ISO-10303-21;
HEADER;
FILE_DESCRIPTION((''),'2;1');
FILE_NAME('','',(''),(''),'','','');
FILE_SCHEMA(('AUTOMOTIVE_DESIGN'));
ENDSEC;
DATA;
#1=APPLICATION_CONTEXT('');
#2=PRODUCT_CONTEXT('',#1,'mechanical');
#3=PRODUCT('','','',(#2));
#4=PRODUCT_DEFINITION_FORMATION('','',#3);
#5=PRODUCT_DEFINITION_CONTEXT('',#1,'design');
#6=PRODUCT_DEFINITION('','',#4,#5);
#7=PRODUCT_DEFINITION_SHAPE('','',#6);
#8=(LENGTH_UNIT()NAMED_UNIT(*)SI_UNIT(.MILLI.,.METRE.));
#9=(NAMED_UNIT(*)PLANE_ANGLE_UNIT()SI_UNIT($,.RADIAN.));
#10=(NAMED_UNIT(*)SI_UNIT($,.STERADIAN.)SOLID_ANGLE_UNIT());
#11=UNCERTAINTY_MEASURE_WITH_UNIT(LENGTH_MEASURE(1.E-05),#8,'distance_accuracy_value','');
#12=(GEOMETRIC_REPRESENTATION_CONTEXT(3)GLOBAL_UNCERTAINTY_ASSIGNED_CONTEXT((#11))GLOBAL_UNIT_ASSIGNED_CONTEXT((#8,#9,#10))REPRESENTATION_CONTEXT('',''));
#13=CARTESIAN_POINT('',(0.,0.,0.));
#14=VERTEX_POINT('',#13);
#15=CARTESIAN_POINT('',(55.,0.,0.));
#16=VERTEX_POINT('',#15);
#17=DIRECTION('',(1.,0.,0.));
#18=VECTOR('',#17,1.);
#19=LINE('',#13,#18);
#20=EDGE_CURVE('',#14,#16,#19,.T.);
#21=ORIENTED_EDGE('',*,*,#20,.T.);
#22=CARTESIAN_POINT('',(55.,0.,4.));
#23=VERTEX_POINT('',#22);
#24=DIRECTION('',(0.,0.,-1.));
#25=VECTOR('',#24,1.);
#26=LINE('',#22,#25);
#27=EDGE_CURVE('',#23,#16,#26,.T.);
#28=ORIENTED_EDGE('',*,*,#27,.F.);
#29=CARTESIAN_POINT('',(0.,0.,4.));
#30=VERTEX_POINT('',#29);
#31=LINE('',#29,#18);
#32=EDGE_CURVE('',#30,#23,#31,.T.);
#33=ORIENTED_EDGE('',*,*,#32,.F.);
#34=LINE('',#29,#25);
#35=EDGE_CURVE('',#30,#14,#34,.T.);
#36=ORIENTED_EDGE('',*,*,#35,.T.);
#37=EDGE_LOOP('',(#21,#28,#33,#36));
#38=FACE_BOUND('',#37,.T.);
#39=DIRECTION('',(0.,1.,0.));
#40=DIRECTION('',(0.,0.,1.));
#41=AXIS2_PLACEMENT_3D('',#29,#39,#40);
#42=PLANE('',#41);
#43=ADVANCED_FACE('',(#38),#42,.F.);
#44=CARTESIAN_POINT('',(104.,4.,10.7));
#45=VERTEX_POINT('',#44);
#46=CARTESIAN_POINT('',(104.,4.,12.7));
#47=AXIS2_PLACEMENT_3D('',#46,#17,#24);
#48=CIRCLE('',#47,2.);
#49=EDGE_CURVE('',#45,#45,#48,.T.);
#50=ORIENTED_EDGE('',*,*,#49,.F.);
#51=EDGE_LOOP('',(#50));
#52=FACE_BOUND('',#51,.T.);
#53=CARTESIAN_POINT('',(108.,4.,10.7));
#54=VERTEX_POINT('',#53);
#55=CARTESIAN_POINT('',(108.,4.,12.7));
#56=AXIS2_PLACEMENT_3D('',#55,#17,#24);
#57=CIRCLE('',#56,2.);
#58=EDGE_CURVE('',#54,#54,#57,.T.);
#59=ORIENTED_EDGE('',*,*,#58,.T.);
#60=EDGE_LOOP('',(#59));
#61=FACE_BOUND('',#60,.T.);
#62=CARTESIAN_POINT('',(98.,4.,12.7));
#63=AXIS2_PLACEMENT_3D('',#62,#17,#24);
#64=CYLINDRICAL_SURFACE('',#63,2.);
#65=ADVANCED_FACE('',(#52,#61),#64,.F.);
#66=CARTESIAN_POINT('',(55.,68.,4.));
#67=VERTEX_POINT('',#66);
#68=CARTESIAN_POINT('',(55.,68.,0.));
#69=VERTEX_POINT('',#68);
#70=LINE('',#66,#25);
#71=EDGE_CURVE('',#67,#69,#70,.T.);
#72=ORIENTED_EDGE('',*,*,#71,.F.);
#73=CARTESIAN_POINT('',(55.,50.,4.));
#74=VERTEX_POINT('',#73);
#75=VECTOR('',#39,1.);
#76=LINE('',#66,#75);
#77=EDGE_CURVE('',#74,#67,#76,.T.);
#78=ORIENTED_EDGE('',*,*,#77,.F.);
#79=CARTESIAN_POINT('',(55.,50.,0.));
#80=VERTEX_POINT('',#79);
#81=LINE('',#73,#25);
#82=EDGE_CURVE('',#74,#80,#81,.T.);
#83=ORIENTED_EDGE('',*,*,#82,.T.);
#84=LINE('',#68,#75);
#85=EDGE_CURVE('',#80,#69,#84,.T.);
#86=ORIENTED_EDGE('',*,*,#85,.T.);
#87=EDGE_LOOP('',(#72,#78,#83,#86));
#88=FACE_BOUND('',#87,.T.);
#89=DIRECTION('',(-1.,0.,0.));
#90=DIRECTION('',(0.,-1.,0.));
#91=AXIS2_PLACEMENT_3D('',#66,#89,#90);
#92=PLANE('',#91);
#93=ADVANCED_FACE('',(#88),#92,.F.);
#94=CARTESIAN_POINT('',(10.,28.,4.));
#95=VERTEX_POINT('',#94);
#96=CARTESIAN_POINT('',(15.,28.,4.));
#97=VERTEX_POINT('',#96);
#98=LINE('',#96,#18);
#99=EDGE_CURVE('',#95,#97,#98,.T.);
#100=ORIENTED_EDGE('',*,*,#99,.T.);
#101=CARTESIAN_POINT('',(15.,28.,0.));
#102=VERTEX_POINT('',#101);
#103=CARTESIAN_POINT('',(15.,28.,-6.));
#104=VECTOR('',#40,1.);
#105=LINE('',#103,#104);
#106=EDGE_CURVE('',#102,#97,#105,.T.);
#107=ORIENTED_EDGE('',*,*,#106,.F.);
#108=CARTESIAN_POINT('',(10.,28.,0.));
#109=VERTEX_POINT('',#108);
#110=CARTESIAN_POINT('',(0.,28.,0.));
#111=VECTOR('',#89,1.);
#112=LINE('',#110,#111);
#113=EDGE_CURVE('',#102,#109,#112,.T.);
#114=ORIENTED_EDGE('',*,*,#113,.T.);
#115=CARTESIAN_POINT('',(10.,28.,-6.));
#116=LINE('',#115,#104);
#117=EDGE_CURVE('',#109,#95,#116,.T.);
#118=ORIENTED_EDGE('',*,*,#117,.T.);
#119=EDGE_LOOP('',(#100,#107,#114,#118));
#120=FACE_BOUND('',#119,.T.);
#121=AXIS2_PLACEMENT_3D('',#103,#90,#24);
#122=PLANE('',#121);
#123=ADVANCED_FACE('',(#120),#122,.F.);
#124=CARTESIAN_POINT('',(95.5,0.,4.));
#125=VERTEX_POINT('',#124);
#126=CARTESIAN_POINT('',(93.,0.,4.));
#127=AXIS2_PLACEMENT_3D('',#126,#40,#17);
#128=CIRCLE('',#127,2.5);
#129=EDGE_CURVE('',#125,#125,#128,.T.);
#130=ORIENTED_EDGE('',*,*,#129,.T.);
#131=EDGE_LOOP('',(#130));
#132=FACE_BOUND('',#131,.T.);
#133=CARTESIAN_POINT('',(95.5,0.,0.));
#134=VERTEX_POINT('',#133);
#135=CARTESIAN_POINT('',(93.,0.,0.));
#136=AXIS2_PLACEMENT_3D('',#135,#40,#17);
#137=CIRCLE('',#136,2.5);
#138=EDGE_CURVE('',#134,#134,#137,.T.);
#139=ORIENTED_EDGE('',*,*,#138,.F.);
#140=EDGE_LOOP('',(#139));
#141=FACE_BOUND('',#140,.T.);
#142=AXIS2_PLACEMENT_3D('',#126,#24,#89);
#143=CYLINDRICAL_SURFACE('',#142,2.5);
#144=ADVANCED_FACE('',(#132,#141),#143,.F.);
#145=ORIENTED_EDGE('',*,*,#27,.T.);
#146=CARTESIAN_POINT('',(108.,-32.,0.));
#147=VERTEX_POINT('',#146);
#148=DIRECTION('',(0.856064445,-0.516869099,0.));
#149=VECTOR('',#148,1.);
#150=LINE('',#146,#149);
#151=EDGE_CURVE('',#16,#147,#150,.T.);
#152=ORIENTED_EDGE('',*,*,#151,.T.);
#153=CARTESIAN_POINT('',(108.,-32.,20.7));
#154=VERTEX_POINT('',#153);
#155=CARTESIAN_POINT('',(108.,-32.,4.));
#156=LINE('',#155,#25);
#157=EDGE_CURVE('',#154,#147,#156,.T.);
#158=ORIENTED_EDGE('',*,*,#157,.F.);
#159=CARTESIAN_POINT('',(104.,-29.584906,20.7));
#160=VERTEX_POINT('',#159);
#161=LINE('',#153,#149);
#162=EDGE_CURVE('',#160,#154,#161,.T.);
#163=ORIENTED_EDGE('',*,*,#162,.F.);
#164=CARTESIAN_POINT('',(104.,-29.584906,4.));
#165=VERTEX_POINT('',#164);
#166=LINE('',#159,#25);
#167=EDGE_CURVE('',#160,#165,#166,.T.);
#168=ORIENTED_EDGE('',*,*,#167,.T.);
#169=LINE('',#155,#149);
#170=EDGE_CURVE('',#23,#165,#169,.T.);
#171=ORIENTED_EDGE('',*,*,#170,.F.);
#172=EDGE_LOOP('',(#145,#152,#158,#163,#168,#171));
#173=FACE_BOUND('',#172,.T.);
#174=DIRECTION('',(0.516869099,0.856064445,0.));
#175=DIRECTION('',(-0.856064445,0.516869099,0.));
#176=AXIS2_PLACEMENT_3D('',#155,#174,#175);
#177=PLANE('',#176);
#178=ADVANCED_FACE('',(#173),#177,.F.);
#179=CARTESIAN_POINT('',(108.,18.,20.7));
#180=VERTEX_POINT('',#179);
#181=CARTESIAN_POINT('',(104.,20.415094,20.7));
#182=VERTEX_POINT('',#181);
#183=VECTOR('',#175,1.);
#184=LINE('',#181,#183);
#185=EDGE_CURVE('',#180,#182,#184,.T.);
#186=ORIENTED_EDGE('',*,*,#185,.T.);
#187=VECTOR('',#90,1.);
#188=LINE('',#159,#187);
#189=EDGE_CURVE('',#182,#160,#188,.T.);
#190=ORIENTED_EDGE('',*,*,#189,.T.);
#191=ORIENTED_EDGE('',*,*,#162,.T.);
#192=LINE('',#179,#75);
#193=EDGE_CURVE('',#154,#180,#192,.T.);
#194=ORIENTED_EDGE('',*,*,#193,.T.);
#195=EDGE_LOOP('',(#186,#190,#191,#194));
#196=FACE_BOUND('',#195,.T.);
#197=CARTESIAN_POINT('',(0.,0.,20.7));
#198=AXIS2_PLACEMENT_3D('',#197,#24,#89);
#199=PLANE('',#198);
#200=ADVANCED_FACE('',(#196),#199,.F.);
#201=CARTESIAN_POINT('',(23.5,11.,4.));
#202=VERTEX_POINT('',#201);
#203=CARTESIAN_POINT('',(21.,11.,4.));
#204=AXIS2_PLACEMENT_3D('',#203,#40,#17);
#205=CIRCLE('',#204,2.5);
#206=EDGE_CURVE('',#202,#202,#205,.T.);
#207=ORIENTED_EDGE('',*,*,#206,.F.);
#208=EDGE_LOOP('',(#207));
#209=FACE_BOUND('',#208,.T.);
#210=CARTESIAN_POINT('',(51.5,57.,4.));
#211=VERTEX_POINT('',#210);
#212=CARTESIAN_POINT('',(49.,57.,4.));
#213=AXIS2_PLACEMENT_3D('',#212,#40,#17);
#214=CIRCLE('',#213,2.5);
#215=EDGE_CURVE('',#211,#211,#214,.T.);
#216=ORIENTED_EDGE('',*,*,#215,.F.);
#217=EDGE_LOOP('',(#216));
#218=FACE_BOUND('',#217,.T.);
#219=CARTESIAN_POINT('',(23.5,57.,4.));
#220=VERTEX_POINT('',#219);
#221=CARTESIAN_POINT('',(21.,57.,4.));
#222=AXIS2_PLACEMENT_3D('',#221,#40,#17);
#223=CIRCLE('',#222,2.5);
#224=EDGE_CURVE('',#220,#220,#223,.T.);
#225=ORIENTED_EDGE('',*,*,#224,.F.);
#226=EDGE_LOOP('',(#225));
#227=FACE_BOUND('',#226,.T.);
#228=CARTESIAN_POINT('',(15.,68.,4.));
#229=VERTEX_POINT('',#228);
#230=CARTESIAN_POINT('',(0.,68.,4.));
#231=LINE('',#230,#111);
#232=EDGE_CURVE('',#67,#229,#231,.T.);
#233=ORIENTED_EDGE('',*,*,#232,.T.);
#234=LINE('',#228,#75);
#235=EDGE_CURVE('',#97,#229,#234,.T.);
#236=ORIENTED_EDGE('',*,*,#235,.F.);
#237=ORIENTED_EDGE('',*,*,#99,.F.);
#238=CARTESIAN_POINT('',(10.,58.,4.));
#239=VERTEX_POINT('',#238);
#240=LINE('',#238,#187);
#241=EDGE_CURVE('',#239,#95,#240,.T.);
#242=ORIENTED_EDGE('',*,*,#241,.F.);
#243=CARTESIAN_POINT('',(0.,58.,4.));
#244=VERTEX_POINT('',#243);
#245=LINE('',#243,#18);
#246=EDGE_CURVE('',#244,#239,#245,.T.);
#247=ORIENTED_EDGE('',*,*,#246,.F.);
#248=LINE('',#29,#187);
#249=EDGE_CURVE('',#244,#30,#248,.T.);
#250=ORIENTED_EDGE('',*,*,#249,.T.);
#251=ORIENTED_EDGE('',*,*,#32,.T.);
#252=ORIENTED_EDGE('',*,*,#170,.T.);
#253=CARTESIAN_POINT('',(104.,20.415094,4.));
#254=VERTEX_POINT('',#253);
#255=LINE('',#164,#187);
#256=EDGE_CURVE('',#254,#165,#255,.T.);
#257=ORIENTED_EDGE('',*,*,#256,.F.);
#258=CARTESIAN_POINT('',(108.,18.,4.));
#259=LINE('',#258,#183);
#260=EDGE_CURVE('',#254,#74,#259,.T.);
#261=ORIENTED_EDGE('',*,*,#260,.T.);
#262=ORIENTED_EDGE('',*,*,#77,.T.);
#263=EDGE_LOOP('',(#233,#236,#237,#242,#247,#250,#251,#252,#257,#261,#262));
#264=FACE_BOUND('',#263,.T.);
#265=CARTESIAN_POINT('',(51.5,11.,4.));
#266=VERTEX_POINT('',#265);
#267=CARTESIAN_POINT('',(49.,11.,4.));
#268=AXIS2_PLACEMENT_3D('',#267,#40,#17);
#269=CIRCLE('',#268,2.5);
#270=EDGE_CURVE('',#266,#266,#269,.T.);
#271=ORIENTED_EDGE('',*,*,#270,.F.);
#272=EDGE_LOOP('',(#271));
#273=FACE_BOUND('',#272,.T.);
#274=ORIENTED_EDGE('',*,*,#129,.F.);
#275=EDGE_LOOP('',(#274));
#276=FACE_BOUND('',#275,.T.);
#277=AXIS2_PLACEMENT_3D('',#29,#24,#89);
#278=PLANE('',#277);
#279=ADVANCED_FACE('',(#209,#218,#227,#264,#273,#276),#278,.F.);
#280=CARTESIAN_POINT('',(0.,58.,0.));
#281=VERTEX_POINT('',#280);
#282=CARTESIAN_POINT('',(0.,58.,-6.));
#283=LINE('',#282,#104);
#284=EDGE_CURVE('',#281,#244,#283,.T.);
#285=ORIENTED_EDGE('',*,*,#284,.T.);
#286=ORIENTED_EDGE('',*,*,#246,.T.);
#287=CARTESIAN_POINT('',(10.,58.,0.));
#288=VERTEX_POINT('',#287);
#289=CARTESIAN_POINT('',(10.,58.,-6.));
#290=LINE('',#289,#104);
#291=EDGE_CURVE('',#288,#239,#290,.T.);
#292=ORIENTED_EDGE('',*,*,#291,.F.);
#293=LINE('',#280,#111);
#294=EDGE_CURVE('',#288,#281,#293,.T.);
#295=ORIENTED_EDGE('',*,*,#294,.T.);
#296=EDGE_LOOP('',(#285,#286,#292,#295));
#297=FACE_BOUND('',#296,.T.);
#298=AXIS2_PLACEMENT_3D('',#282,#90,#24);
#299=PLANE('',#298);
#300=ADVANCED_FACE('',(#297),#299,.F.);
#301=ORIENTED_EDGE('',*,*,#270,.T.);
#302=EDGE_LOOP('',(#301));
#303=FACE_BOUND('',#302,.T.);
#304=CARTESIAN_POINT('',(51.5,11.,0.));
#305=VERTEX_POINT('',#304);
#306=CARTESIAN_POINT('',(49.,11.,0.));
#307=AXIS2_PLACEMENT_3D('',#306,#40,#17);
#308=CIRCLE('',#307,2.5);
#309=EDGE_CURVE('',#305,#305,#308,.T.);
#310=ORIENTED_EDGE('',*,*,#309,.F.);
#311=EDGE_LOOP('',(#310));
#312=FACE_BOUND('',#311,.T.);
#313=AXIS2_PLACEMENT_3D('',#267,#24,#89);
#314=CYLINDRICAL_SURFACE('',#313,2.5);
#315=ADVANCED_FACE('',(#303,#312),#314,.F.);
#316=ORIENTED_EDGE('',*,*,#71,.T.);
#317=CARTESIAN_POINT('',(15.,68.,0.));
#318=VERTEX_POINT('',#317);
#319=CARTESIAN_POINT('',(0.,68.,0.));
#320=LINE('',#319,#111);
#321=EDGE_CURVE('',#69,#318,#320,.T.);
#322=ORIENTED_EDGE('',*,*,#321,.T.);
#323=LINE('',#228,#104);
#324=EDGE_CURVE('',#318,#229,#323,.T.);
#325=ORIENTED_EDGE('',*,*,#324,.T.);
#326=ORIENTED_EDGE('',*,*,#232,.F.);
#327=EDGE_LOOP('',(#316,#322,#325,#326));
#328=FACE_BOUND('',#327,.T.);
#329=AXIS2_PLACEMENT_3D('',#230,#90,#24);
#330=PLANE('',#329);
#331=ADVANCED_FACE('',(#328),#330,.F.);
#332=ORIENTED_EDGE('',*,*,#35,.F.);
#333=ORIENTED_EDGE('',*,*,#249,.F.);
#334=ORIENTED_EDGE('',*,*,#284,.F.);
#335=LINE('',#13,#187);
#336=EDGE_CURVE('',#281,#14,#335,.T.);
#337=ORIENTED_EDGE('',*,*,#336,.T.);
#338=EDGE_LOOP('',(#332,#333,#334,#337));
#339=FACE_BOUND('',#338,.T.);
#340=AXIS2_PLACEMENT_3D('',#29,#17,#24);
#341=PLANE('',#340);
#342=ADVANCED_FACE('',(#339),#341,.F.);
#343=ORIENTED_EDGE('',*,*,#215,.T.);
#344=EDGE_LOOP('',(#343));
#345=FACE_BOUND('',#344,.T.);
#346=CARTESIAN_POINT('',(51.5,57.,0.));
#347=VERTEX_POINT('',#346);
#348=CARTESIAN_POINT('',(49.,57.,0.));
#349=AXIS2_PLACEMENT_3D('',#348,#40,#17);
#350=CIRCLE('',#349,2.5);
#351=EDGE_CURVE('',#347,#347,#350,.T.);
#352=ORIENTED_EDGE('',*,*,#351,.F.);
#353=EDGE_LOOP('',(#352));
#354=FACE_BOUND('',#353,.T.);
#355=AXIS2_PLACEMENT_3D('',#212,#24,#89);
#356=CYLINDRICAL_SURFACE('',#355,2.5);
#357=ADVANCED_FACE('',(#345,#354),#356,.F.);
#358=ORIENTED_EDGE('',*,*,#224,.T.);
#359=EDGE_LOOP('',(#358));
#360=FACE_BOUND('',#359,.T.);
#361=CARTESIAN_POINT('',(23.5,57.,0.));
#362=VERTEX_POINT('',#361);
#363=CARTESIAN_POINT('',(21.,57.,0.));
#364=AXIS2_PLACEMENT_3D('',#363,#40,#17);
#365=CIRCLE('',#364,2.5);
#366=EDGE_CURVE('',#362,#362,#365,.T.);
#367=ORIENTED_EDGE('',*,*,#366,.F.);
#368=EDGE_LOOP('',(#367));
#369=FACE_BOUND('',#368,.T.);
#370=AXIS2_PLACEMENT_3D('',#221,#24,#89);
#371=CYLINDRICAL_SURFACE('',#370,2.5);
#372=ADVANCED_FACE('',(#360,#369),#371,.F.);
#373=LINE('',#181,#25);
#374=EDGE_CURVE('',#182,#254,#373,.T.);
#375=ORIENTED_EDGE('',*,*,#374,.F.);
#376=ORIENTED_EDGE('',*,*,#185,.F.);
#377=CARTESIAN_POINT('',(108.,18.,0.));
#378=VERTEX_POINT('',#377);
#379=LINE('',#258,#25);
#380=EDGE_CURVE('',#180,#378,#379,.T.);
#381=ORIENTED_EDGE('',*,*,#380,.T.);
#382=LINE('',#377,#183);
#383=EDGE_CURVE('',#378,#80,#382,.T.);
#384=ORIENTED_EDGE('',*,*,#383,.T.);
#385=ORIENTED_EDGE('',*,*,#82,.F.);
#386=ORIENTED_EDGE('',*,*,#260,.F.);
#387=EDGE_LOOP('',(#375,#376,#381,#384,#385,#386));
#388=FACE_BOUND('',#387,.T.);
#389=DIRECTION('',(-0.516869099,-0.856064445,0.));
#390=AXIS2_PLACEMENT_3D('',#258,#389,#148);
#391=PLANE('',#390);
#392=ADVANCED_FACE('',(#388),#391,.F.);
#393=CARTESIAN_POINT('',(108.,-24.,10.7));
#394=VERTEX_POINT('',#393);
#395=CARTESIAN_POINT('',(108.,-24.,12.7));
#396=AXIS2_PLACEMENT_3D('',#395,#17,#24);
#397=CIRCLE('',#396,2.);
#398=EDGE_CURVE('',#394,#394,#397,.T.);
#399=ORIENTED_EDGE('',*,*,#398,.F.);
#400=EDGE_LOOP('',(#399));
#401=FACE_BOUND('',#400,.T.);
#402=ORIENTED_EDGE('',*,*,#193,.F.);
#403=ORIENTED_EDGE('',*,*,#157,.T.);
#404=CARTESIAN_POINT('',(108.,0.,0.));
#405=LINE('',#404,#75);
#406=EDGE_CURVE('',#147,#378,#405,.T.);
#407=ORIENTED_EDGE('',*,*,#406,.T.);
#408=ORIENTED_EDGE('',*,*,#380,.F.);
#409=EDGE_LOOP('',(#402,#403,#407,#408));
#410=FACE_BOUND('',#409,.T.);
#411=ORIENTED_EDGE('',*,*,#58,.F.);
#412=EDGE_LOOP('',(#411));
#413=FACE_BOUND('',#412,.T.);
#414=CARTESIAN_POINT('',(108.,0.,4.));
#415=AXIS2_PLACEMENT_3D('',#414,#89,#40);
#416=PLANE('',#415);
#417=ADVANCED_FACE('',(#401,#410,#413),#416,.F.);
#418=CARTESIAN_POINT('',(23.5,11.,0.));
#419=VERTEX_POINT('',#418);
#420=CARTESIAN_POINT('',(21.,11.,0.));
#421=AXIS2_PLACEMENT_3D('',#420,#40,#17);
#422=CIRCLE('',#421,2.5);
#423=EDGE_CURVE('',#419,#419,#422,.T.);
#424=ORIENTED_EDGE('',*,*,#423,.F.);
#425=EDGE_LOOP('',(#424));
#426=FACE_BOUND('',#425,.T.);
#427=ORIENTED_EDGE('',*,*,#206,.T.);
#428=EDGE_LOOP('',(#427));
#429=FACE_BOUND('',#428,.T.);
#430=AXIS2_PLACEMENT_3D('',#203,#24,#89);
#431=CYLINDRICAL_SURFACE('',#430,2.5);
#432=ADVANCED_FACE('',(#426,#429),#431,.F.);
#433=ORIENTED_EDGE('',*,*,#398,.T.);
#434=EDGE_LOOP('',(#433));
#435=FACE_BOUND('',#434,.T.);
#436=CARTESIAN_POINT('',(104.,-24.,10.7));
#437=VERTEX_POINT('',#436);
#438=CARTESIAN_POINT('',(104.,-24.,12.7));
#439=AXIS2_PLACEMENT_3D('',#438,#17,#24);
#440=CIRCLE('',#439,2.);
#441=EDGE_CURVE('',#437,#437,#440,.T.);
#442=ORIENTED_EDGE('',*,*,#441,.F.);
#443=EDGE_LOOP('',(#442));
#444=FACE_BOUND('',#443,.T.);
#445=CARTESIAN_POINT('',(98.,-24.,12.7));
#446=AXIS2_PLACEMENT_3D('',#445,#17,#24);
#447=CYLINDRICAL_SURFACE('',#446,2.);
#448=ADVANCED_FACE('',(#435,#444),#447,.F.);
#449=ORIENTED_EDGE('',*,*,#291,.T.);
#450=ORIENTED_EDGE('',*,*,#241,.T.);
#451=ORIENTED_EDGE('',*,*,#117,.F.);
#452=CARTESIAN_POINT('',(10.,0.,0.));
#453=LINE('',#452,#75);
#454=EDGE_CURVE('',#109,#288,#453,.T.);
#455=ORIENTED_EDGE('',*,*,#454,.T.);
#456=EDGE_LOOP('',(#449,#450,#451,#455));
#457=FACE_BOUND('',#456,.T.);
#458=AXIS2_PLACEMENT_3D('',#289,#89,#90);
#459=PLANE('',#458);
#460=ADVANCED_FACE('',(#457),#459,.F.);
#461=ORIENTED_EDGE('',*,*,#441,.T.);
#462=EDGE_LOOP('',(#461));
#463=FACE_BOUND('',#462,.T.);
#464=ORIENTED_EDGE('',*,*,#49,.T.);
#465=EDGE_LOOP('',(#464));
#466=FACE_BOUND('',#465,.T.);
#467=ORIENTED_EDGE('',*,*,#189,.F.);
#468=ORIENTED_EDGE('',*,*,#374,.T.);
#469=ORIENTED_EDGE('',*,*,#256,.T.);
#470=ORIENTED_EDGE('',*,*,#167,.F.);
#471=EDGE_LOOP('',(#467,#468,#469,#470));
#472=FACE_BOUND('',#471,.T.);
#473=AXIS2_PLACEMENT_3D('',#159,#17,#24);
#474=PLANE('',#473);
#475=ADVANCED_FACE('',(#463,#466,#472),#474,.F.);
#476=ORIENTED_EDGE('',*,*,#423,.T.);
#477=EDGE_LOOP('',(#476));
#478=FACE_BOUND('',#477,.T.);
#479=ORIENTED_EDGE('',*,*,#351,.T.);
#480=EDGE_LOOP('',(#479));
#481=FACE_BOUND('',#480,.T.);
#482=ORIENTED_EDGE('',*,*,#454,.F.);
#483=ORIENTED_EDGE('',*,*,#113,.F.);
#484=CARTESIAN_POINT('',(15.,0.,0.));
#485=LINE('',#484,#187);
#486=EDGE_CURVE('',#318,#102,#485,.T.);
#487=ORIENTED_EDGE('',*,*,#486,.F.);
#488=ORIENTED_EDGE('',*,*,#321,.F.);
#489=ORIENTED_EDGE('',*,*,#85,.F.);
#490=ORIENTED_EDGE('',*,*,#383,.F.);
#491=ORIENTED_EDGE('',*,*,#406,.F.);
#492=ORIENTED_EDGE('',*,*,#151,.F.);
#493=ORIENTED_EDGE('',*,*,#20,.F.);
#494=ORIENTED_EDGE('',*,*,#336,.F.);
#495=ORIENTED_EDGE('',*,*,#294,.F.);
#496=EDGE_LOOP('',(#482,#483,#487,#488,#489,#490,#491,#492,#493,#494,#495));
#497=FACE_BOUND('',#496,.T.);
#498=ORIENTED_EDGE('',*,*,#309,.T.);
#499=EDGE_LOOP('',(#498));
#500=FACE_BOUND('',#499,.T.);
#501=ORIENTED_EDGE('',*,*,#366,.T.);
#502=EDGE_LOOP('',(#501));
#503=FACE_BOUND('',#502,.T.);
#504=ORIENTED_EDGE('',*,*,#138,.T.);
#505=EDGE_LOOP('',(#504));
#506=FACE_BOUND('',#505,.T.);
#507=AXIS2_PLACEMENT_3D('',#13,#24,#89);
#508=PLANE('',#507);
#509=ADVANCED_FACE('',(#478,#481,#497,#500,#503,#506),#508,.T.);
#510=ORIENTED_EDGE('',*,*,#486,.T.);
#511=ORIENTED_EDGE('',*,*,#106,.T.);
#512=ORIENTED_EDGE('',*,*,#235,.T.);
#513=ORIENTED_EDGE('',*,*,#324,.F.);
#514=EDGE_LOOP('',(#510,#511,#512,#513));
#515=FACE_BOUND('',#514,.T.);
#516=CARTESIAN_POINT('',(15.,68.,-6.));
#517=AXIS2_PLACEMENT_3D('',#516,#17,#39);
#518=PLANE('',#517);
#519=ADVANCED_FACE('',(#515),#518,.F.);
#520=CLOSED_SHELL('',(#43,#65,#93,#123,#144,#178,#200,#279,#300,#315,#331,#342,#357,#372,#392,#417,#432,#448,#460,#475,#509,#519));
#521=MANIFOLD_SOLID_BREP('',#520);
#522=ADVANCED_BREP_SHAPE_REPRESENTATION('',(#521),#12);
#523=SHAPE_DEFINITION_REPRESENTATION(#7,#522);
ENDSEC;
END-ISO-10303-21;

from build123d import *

# Parameters (mm, degrees)
SKETCH_1_R          = 2.5
EXTRUDE_1_DEPTH     = 4
EXTRUDE_2_DEPTH     = 16.7
SKETCH_3_R          = 2
CUT_EXTRUDE_1_DEPTH = 10
CUT_EXTRUDE_2_DEPTH = 10


with BuildPart() as part:
    # Эскиз1 → Бобышка-Вытянуть1 (new body)
    with BuildSketch(Plane.XY):
        Polygon((0, 0), (55, 0), (108, -32), (108, 0), (108, 18), (55, 50), (55, 68), (0, 68), align=None)
        with Locations((21, 57)):
            Circle(SKETCH_1_R, mode=Mode.SUBTRACT)
        with Locations((49, 57)):
            Circle(SKETCH_1_R, mode=Mode.SUBTRACT)
        with Locations((21, 11)):
            Circle(SKETCH_1_R, mode=Mode.SUBTRACT)
        with Locations((49, 11)):
            Circle(SKETCH_1_R, mode=Mode.SUBTRACT)
        with Locations((93, 0)):
            Circle(SKETCH_1_R, mode=Mode.SUBTRACT)
    extrude(amount=EXTRUDE_1_DEPTH)

    # Эскиз2 → Бобышка-Вытянуть2 (add)
    with BuildSketch(Plane.XY.offset(4)):
        Polygon((108, 18), (108, -32), (104, -29.58490566), (104, 20.41509434), align=None)
    extrude(amount=EXTRUDE_2_DEPTH)

    # Эскиз3 → Вырез-Вытянуть1 (cut)
    with BuildSketch(Plane(origin=(108, 0, 0), x_dir=(0, 0, -1), z_dir=(1, 0, 0))):
        with Locations((-12.7, 4)):
            Circle(SKETCH_3_R)
        with Locations((-12.7, -24)):
            Circle(SKETCH_3_R)
    extrude(amount=-CUT_EXTRUDE_1_DEPTH, mode=Mode.SUBTRACT)

    # Эскиз4 → Вырез-Вытянуть2 (cut)
    with BuildSketch(Plane.XY.offset(4)):
        Polygon((0, 68), (15, 68), (15, 58), (15, 28), (10, 28), (10, 58), (0, 58), align=None)
    extrude(amount=-CUT_EXTRUDE_2_DEPTH, mode=Mode.SUBTRACT)


solid = part.part
